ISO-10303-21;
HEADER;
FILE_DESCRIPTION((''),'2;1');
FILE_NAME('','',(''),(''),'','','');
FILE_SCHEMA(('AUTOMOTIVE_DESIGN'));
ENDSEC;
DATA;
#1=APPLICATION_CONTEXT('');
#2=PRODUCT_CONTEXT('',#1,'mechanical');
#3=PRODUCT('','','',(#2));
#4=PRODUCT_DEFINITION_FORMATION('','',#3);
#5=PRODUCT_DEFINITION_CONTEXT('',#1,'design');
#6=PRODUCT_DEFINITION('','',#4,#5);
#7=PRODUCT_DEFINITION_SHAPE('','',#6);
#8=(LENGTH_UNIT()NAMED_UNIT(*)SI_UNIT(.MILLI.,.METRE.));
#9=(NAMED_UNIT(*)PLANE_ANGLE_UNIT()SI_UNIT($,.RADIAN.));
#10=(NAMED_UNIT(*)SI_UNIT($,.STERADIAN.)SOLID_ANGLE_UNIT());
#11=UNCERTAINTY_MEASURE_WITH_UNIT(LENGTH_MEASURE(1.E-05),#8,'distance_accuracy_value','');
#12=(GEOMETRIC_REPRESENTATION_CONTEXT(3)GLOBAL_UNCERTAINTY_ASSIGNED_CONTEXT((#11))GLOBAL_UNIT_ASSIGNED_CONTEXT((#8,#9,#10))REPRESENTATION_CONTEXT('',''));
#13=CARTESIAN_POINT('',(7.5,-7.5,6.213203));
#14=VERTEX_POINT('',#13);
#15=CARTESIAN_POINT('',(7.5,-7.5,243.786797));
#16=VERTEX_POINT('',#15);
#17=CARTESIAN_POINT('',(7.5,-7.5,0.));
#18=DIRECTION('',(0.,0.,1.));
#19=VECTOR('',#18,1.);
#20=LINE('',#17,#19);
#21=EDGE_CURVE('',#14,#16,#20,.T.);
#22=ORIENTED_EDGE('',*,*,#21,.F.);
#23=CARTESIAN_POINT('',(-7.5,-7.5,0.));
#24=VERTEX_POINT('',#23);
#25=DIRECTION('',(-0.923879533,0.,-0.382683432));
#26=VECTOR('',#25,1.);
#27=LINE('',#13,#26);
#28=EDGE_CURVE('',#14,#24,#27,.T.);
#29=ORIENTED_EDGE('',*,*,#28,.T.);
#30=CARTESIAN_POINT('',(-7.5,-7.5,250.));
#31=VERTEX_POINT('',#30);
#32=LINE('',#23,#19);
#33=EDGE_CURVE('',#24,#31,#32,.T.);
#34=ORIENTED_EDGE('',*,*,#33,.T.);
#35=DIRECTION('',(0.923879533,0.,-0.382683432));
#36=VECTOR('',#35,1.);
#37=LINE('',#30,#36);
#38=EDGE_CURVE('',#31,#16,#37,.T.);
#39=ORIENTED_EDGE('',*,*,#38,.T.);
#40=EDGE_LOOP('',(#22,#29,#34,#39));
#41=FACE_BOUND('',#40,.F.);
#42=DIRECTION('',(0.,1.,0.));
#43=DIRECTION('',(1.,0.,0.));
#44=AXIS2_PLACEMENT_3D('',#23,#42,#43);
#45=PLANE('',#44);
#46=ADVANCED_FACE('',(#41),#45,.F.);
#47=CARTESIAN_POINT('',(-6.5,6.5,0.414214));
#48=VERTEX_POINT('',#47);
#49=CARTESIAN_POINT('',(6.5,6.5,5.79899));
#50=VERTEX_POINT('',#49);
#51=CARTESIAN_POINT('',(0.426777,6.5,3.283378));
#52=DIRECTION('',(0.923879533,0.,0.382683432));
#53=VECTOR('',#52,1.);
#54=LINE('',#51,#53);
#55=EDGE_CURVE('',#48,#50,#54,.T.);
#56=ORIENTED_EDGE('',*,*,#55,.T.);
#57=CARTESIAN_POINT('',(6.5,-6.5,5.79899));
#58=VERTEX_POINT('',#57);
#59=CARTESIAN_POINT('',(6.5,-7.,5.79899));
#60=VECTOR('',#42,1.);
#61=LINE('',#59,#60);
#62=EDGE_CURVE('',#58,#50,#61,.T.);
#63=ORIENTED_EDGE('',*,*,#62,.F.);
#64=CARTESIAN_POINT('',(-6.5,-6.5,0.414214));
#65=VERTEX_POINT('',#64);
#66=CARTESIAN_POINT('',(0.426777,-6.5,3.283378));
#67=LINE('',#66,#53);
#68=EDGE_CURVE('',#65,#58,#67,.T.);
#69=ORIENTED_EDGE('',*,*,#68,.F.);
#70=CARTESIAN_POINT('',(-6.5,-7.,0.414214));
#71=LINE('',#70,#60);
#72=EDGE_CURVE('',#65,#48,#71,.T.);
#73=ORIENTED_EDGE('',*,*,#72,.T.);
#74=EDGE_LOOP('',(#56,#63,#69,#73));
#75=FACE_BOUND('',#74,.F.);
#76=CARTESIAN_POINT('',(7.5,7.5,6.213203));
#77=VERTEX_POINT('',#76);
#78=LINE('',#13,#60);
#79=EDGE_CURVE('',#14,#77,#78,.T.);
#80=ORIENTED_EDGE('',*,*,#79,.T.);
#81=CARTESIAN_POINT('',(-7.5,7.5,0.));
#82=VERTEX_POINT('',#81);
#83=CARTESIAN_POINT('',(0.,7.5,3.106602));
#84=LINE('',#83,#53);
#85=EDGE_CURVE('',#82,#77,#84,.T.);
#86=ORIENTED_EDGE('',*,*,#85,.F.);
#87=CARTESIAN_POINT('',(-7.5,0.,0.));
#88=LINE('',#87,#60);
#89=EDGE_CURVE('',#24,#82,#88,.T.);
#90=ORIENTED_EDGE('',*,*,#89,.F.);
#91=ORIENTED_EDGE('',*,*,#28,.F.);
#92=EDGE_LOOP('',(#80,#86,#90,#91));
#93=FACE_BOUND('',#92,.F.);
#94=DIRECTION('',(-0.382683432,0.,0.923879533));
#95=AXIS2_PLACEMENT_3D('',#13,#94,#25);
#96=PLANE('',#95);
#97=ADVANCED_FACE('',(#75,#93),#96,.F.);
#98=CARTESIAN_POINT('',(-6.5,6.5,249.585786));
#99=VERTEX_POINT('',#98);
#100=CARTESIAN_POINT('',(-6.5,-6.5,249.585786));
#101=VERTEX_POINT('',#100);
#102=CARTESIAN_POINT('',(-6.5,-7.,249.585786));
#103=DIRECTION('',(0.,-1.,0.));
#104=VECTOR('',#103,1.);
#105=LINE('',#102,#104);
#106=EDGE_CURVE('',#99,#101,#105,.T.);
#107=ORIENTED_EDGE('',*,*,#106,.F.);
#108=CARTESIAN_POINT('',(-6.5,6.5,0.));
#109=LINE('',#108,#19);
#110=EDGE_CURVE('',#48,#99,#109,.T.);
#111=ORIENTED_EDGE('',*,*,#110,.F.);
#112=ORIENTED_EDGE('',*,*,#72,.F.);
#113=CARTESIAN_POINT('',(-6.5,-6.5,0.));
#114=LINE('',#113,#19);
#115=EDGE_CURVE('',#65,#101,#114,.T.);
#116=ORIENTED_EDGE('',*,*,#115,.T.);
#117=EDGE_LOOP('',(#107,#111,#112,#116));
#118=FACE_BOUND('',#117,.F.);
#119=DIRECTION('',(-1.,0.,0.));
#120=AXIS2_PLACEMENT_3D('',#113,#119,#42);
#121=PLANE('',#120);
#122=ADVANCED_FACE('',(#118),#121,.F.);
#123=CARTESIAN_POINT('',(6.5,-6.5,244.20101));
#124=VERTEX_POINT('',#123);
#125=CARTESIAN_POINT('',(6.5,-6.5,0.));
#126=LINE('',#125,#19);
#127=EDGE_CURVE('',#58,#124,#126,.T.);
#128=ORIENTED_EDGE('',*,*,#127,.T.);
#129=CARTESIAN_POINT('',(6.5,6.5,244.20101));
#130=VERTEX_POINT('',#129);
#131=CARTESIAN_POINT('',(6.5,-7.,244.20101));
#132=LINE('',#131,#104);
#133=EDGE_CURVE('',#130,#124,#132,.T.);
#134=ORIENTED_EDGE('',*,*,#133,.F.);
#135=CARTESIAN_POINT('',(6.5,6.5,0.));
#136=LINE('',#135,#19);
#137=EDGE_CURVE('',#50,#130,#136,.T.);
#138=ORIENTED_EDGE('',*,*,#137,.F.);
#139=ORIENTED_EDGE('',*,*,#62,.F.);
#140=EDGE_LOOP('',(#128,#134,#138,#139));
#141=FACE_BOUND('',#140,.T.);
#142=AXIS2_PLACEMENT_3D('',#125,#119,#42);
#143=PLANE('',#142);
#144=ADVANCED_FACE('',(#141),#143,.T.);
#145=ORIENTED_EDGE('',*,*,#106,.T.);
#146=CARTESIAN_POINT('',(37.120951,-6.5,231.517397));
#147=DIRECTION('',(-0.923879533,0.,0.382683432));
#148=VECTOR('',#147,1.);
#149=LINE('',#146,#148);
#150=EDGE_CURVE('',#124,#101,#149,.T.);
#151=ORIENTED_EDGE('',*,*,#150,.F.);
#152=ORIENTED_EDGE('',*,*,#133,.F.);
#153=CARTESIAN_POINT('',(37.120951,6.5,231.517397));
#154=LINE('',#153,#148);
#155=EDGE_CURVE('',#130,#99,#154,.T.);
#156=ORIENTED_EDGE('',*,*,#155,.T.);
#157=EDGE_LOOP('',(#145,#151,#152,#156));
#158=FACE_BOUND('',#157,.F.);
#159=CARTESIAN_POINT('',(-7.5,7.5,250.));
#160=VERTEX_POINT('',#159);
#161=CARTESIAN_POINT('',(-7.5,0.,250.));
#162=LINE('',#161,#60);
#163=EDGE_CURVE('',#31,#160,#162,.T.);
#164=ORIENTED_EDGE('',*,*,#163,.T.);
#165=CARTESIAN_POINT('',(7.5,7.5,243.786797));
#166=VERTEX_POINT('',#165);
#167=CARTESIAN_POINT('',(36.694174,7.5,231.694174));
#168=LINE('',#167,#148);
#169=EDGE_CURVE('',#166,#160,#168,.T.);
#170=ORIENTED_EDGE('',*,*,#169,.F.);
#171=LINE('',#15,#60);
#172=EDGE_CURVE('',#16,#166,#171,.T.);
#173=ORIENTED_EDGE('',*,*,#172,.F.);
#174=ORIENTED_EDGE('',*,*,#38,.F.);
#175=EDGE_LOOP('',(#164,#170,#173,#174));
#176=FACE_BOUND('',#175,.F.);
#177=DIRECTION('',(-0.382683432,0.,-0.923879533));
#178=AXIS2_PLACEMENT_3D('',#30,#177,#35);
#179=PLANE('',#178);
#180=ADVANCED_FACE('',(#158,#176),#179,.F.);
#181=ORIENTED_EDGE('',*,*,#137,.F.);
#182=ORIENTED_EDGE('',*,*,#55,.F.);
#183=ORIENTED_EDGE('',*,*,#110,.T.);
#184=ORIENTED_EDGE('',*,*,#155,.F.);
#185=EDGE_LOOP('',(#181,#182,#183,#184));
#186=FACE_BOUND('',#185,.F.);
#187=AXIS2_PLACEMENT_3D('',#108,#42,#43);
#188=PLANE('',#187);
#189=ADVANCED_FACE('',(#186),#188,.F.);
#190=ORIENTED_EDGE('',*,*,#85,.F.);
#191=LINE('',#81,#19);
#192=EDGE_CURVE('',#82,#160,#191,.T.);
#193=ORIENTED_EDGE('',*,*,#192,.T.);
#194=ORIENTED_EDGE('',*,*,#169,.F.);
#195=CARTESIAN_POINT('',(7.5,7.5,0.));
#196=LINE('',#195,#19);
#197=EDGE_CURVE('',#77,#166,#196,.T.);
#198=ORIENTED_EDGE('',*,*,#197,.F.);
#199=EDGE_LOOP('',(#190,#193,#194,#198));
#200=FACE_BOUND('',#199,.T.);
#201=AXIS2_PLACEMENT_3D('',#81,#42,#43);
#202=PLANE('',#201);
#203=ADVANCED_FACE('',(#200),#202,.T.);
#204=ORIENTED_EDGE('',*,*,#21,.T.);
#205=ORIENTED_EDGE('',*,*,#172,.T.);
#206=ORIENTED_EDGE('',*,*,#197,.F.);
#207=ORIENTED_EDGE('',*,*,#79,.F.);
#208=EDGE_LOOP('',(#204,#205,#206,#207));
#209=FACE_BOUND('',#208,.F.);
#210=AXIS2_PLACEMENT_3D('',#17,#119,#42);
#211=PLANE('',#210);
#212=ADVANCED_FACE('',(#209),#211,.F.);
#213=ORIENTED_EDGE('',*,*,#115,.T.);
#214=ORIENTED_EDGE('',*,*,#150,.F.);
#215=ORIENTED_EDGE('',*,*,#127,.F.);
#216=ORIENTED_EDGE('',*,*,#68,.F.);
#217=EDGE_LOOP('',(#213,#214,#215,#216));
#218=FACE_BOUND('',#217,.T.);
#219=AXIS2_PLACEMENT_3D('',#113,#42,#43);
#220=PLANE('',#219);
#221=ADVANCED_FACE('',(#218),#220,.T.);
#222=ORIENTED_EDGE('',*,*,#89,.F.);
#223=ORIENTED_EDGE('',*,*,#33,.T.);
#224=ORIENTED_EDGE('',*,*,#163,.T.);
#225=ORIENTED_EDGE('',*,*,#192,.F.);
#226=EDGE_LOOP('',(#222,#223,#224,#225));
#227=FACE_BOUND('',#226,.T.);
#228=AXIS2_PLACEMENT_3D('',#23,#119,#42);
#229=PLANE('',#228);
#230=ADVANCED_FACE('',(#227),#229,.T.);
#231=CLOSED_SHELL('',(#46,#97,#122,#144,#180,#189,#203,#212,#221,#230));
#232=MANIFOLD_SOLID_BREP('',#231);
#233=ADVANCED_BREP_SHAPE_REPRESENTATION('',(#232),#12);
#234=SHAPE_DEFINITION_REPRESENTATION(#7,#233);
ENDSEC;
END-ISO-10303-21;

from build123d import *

# Parameters (mm, degrees)
F1_W     = 15
F1_H     = 15
F1_W_2   = 13
F1_H_2   = 13
F2_DEPTH = 250
F4_DEPTH = 25


with BuildPart() as f2:
    # F1 (on Top) → F2 (new body)
    with BuildSketch(Plane.XY):
        Rectangle(F1_W, F1_H)
        Rectangle(F1_W_2, F1_H_2, mode=Mode.SUBTRACT)
    extrude(amount=F2_DEPTH)

    # F3 (on face) → F4 (cut)
    with BuildSketch(Plane.XZ.offset(7.5)):
        Polygon((7.5, 6.2132034356), (-7.5, 0), (7.5, 0), align=None)
        Polygon((7.5, 250), (-7.5, 250), (7.5, 243.7867965644), align=None)
    extrude(amount=-F4_DEPTH, mode=Mode.SUBTRACT)


solid = f2.part
